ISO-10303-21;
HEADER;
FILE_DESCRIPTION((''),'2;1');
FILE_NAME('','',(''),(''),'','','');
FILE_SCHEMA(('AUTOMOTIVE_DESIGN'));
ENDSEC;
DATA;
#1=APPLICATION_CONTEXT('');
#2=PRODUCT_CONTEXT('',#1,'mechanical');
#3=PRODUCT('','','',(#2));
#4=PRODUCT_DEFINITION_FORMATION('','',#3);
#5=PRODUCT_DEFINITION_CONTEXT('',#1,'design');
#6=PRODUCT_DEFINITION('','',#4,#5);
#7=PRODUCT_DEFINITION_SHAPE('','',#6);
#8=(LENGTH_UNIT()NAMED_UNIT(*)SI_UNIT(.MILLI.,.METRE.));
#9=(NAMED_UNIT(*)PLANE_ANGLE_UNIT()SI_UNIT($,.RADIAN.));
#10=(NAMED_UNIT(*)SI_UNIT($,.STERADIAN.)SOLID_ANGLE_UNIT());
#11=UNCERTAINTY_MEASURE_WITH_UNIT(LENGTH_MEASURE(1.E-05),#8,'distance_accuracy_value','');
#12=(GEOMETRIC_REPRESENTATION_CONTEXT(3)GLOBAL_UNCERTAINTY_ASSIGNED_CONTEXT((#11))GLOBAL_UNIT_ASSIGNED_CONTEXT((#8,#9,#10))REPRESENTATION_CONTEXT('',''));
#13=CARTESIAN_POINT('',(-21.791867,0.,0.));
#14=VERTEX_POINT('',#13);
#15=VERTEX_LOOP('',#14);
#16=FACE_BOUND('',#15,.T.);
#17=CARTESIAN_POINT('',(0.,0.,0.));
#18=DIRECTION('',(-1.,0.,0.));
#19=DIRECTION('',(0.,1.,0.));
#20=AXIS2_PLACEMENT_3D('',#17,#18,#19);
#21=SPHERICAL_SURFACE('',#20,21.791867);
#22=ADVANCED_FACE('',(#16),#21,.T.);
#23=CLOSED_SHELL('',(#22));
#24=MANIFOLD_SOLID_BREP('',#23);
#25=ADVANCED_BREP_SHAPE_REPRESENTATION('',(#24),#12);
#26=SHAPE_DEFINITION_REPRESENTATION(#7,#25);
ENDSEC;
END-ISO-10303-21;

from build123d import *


with BuildPart() as f1:
    # F0 (on Top) → F1 (revolve)
    with BuildSketch(Plane.XY):
        with BuildLine():
            Line((0, 0), (21.791867, 0))
            ThreePointArc((21.791867, 0), (0, 21.791867), (-21.791867, 0))
            Line((-21.791867, 0), (0, 0))
        make_face()
    revolve(axis=Axis((0, 0, 0), (-1, 0, 0)))


solid = f1.part
